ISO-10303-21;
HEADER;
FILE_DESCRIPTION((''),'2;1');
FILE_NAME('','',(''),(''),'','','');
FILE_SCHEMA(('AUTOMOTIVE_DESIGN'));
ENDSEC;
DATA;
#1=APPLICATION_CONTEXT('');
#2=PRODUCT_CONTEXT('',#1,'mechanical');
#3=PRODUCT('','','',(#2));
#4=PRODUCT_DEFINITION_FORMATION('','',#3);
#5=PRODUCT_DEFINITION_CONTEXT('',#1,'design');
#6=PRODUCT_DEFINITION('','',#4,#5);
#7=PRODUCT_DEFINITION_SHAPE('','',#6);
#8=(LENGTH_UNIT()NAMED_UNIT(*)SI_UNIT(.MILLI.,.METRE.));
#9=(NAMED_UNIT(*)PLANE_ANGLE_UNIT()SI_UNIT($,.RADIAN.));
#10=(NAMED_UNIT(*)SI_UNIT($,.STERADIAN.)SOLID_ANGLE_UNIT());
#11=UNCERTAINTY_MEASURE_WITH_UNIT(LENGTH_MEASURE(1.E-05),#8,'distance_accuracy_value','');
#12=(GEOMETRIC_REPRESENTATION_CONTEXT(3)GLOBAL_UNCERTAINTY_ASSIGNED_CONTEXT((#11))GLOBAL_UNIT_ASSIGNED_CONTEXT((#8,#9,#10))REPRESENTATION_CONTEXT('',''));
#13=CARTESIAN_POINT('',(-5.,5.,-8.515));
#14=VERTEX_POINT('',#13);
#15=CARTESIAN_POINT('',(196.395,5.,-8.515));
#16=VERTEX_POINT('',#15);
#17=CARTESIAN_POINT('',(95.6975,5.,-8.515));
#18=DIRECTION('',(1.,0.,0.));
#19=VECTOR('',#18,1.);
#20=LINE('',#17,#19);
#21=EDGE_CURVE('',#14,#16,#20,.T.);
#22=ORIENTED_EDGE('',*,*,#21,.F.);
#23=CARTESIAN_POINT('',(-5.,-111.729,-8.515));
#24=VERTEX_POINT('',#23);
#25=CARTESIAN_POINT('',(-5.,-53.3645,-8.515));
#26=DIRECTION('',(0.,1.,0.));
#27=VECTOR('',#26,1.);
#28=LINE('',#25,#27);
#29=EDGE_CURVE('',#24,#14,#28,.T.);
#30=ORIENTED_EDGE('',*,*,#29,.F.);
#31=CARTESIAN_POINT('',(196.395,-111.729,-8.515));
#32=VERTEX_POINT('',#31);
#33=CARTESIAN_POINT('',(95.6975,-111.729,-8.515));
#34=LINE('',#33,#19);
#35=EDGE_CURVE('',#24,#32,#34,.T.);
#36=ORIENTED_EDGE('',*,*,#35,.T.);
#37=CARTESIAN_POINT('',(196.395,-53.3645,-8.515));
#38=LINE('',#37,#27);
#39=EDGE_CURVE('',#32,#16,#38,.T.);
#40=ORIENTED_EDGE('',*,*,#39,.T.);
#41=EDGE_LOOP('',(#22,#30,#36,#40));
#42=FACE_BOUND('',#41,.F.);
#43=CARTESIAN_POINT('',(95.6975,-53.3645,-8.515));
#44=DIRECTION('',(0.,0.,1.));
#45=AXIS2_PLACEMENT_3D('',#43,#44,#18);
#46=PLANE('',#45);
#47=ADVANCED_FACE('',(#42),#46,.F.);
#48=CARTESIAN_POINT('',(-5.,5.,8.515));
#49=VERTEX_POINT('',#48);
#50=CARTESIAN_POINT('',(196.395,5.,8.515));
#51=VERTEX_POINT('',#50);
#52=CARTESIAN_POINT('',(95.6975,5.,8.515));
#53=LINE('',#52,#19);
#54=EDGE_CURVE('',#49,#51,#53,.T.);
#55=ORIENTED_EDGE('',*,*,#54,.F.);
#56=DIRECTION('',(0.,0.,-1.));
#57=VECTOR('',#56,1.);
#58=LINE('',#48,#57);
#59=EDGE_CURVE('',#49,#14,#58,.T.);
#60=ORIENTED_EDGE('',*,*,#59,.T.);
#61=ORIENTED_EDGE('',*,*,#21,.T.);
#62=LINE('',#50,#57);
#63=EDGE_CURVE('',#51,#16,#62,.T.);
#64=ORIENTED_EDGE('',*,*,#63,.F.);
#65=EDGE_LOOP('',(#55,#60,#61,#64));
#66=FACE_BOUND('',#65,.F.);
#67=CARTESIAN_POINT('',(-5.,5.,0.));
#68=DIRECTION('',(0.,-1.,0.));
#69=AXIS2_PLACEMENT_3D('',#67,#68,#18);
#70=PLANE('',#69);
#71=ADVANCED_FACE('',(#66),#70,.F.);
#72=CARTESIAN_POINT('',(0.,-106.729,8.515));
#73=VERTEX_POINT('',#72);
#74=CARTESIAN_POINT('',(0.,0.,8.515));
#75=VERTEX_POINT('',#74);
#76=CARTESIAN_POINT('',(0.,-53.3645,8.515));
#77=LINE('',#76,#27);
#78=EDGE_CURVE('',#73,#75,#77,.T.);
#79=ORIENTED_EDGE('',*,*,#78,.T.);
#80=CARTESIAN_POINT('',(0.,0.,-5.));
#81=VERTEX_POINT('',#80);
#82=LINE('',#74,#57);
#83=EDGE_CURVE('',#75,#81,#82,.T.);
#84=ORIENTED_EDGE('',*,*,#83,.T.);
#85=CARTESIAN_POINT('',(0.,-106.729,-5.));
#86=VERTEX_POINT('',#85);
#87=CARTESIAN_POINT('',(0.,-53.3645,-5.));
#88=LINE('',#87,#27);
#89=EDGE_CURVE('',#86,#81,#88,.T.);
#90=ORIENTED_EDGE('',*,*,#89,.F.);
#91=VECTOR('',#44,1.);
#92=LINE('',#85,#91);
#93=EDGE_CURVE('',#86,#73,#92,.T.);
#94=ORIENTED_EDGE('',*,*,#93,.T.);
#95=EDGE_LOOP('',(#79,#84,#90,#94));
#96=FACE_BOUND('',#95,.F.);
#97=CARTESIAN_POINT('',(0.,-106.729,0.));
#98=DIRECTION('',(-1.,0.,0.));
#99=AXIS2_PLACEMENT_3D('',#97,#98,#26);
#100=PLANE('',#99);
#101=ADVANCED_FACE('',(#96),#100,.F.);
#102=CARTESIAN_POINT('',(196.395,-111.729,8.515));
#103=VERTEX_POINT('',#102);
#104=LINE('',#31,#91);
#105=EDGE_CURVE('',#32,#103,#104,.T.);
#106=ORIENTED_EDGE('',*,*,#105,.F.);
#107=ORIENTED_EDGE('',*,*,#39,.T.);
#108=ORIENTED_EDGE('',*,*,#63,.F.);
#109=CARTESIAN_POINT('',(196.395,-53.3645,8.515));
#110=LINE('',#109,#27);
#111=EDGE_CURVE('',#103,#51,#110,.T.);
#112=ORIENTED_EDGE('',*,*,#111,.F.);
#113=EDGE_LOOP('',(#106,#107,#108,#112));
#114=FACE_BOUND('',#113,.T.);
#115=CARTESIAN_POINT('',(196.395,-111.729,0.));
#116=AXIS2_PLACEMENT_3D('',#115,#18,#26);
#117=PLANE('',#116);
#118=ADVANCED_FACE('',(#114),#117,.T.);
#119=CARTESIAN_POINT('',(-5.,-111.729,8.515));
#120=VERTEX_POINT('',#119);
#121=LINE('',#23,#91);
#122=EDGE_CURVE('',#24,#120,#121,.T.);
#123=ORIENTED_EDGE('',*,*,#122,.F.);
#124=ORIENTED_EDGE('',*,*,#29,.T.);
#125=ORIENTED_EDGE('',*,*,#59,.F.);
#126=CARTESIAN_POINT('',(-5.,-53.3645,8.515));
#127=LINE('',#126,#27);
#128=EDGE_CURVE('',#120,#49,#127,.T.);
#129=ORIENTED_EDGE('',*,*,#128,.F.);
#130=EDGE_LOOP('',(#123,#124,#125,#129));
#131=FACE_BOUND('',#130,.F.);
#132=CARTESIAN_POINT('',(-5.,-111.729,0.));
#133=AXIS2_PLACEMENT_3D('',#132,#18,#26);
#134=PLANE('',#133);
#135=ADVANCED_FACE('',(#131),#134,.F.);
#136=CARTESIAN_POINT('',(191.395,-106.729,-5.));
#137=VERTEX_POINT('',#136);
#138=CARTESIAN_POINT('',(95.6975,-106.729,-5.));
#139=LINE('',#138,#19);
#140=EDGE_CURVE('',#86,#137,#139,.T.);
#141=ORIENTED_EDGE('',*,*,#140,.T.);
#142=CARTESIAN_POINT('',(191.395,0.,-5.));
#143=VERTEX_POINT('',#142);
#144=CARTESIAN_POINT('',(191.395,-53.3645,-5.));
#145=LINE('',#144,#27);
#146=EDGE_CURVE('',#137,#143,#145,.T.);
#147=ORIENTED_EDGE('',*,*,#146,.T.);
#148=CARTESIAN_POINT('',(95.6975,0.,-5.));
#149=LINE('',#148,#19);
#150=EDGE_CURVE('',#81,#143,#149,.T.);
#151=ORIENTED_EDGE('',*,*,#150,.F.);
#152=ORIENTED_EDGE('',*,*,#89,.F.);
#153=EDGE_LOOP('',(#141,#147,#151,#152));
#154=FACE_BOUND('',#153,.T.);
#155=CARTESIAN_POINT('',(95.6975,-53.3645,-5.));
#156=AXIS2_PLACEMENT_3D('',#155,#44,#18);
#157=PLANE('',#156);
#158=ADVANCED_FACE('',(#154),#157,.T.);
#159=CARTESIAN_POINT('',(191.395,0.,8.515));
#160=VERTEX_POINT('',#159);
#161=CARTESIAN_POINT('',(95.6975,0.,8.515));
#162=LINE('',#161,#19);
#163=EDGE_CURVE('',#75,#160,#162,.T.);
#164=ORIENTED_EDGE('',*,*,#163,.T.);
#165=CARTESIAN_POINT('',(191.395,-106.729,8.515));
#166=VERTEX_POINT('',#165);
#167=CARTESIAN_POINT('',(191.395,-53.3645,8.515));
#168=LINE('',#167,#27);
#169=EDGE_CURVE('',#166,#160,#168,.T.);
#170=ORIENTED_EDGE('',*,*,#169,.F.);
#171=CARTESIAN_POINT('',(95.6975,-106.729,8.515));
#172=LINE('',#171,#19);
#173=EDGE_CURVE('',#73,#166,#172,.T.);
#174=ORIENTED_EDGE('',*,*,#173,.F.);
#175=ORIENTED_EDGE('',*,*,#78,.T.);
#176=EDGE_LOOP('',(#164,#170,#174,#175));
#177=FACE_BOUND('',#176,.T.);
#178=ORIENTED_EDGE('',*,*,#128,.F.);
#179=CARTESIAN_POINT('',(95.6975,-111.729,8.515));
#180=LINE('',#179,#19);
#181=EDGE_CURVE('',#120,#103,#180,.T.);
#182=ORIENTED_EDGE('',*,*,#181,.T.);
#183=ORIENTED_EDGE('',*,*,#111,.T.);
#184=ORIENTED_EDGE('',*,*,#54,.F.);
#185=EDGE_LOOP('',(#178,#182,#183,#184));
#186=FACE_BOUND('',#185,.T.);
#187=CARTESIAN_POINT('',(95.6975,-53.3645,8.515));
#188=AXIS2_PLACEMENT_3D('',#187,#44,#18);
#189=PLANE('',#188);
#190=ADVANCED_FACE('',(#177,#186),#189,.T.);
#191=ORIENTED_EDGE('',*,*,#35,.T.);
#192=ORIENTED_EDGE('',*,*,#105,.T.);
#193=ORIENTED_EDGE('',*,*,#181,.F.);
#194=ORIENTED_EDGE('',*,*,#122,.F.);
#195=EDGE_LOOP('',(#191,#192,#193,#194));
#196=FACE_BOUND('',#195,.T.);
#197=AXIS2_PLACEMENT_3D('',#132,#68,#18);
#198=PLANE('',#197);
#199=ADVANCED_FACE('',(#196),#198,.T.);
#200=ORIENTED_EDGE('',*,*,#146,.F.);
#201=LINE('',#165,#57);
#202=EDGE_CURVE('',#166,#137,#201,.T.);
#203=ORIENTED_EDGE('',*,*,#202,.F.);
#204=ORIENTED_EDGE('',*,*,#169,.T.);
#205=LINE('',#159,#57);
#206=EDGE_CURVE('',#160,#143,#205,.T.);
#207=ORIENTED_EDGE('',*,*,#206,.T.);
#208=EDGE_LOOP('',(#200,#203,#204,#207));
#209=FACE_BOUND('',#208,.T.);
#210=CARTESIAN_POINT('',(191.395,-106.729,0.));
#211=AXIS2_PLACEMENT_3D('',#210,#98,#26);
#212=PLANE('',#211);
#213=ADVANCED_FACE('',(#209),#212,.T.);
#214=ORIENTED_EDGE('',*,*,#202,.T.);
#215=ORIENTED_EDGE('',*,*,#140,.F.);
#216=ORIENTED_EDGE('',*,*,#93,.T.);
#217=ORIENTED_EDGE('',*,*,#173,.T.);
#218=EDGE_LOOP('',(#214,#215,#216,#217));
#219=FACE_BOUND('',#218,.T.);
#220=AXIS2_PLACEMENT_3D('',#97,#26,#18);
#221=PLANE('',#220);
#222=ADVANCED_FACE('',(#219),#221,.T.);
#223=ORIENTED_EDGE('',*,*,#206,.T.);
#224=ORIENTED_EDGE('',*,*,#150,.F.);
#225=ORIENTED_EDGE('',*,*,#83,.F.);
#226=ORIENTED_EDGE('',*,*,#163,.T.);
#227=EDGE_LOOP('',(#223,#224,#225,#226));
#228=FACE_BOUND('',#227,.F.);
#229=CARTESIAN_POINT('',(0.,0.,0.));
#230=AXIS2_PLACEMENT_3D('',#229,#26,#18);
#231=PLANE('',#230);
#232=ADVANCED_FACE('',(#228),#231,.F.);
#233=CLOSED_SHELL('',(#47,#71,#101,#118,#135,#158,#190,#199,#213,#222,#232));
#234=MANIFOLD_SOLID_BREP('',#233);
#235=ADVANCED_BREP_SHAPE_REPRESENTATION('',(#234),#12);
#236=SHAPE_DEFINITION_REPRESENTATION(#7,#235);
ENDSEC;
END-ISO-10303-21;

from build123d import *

# Parameters (mm, degrees)
F0_W          = 201.395
F0_H          = 116.729
F1_DEPTH      = 8.515
F2_W          = 191.395
F2_H          = 106.729
F3_DEPTH      = 8.515
F3_DEPTH_BACK = 5


with BuildPart() as f1:
    # F0 (on Top) → F1 (new body, symmetric)
    with BuildSketch(Plane.XY):
        with Locations((95.6975, -53.3645)):
            Rectangle(F0_W, F0_H)
    extrude(amount=F1_DEPTH, both=True)

    # F2 (on Top) → F3 (cut, two sides)
    with BuildSketch(Plane.XY) as f3_sk:
        with Locations((95.6975, -53.3645)):
            Rectangle(F2_W, F2_H)
    extrude(amount=F3_DEPTH, mode=Mode.SUBTRACT)
    extrude(f3_sk.sketch, amount=-F3_DEPTH_BACK, mode=Mode.SUBTRACT)


solid = f1.part
